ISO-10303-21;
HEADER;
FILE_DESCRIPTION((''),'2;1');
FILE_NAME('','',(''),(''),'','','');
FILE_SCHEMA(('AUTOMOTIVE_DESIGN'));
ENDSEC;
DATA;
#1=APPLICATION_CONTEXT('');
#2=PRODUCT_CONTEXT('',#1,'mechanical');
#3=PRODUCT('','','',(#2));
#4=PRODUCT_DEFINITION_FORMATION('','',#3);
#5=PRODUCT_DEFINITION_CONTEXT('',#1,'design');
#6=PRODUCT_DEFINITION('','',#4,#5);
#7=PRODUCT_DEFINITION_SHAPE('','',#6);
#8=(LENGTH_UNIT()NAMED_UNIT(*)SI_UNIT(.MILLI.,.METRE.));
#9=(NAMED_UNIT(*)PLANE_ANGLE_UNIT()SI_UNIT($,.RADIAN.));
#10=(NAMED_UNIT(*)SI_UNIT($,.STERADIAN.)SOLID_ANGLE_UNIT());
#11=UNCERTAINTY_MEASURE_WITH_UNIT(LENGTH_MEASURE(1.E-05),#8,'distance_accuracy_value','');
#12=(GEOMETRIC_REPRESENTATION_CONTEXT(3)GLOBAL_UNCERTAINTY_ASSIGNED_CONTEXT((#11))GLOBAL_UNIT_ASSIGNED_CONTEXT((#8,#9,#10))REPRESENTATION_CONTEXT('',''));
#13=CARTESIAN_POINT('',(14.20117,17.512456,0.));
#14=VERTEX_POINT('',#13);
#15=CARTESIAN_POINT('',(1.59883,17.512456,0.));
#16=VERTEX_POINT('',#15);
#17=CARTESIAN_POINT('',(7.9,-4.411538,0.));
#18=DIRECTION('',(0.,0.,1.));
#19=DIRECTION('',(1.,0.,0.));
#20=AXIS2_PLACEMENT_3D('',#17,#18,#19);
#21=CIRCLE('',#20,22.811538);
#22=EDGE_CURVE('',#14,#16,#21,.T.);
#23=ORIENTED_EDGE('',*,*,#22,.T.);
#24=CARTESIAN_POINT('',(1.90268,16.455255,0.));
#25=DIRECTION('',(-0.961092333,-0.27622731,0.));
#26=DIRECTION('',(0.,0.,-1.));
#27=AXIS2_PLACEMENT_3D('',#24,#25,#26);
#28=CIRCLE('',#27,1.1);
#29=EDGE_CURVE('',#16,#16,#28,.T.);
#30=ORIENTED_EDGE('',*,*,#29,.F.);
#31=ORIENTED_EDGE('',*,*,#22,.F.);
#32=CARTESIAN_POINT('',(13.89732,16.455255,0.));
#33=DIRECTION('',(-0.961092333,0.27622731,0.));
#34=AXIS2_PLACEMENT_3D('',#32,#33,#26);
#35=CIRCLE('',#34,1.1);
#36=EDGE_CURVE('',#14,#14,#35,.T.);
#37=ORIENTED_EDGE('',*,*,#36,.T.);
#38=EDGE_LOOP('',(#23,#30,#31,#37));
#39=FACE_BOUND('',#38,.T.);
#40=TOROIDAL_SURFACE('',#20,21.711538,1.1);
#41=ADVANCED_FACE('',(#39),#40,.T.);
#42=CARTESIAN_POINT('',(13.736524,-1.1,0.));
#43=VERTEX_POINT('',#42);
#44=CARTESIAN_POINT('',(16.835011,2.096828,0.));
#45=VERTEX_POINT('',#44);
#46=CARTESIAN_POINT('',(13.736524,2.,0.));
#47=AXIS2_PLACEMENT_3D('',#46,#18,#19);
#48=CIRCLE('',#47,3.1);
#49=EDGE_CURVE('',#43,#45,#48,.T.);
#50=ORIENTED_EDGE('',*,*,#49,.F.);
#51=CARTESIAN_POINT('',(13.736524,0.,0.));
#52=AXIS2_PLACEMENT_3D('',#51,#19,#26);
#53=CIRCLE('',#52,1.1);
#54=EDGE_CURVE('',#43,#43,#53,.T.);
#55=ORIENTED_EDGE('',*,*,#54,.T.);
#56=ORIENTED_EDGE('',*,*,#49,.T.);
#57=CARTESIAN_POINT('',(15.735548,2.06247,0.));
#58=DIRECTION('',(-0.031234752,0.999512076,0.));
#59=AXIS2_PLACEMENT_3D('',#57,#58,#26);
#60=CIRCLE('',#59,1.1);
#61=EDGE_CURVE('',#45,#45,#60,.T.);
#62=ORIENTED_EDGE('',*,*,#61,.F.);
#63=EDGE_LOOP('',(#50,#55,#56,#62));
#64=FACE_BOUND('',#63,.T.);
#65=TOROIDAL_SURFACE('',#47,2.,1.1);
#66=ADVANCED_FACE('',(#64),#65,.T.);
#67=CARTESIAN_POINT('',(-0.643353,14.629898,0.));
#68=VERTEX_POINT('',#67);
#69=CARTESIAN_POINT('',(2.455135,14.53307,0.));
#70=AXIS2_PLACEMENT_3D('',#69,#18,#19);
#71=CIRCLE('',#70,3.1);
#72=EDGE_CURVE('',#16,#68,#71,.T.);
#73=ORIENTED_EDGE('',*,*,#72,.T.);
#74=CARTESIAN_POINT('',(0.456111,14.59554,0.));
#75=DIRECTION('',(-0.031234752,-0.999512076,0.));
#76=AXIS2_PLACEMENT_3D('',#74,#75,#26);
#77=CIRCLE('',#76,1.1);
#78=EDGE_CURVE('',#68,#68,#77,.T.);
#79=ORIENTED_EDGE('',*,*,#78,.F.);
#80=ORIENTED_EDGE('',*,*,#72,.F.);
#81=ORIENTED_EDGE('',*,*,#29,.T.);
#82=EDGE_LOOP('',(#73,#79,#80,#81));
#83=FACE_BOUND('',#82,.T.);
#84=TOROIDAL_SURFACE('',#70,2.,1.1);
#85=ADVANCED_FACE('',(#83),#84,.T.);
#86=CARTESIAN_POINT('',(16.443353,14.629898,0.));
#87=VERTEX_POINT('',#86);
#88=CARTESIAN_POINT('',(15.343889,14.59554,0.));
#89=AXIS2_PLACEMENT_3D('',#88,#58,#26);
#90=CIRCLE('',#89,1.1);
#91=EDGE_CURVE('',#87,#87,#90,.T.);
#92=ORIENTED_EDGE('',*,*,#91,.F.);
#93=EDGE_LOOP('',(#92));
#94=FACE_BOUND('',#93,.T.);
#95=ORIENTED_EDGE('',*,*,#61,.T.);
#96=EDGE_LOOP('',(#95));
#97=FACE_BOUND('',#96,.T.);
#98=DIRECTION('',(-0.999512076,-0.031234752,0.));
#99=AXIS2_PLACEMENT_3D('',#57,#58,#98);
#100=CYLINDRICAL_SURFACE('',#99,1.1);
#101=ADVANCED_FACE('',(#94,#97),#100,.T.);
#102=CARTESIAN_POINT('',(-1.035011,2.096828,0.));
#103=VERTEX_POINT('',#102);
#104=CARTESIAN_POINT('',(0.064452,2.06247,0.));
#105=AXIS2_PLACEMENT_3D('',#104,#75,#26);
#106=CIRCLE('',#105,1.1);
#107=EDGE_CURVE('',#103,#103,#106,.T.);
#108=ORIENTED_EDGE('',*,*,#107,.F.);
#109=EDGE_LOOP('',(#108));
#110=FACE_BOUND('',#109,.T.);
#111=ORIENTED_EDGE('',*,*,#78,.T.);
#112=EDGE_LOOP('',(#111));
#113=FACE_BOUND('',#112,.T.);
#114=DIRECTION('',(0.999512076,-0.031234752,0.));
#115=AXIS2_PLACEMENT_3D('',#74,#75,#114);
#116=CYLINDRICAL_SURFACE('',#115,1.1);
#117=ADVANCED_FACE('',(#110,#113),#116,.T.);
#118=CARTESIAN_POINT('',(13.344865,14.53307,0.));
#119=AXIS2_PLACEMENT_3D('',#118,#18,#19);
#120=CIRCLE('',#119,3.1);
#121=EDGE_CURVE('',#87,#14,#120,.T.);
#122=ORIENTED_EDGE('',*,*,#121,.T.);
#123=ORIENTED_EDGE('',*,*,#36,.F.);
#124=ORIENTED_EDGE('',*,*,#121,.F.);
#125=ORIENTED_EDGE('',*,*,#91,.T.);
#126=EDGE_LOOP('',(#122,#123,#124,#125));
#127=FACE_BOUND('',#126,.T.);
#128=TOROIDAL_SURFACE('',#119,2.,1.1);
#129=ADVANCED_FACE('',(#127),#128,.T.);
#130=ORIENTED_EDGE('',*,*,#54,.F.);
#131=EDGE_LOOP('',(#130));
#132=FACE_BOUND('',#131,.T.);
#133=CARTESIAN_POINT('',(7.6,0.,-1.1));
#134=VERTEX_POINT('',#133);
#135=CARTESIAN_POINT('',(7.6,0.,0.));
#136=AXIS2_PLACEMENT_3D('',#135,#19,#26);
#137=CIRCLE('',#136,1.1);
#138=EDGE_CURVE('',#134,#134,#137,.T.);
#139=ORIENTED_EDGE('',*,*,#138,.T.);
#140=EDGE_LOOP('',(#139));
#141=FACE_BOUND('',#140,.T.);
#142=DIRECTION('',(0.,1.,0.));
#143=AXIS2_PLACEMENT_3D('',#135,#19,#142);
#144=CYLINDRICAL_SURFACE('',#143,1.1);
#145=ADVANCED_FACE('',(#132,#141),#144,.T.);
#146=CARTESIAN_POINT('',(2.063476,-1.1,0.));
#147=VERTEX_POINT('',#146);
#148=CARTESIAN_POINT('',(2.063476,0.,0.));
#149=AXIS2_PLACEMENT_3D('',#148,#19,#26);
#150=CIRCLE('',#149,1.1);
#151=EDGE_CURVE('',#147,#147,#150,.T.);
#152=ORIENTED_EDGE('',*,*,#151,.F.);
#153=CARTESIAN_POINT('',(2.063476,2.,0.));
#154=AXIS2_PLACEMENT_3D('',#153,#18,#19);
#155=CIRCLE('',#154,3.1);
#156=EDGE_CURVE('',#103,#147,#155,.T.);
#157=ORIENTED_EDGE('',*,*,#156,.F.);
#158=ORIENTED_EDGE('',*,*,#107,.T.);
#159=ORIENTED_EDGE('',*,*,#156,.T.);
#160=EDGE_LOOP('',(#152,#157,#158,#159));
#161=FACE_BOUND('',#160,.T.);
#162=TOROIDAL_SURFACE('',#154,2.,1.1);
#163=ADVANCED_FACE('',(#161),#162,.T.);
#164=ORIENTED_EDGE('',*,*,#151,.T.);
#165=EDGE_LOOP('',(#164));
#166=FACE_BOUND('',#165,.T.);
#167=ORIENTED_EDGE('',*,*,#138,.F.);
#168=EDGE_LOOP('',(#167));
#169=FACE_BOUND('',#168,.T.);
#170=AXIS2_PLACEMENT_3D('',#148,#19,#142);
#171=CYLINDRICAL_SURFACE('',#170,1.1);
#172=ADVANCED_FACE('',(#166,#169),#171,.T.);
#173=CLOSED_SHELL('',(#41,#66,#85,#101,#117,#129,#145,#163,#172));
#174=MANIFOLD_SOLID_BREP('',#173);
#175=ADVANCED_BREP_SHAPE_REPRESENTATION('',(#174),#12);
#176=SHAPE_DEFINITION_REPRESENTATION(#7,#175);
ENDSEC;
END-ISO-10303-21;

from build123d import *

# Parameters (mm, degrees)
SKETCH_3_R = 1.1


with BuildPart() as part:
    # 扫描1: sweep along a path in 草图1
    with BuildLine(Plane.XY) as sweep_1_path:
        Line((2.063476324, 0), (13.736523676, 0))
        ThreePointArc((13.736523676, 0), (15.17265372, 0.608047955), (15.735547828, 2.062469505))
        Line((15.735547828, 2.062469505), (15.343889389, 14.595539539))
        ThreePointArc((15.343889389, 14.595539539), (14.923518493, 15.761017061), (13.897319856, 16.455254701))
        ThreePointArc((13.897319856, 16.455254701), (7.9, 17.3), (1.902680144, 16.455254701))
        ThreePointArc((1.902680144, 16.455254701), (0.876481507, 15.761017061), (0.456110611, 14.595539539))
        Line((0.456110611, 14.595539539), (0.064452172, 2.062469505))
        ThreePointArc((0.064452172, 2.062469505), (0.62734628, 0.608047955), (2.063476324, 0))
    # 草图3 → 扫描1 (sweep)
    with BuildSketch(Plane(origin=(7.6, 0, 0), x_dir=(0, 0, -1), z_dir=(1, 0, 0))):
        Circle(SKETCH_3_R)
    sweep(path=sweep_1_path.line)


solid = part.part
